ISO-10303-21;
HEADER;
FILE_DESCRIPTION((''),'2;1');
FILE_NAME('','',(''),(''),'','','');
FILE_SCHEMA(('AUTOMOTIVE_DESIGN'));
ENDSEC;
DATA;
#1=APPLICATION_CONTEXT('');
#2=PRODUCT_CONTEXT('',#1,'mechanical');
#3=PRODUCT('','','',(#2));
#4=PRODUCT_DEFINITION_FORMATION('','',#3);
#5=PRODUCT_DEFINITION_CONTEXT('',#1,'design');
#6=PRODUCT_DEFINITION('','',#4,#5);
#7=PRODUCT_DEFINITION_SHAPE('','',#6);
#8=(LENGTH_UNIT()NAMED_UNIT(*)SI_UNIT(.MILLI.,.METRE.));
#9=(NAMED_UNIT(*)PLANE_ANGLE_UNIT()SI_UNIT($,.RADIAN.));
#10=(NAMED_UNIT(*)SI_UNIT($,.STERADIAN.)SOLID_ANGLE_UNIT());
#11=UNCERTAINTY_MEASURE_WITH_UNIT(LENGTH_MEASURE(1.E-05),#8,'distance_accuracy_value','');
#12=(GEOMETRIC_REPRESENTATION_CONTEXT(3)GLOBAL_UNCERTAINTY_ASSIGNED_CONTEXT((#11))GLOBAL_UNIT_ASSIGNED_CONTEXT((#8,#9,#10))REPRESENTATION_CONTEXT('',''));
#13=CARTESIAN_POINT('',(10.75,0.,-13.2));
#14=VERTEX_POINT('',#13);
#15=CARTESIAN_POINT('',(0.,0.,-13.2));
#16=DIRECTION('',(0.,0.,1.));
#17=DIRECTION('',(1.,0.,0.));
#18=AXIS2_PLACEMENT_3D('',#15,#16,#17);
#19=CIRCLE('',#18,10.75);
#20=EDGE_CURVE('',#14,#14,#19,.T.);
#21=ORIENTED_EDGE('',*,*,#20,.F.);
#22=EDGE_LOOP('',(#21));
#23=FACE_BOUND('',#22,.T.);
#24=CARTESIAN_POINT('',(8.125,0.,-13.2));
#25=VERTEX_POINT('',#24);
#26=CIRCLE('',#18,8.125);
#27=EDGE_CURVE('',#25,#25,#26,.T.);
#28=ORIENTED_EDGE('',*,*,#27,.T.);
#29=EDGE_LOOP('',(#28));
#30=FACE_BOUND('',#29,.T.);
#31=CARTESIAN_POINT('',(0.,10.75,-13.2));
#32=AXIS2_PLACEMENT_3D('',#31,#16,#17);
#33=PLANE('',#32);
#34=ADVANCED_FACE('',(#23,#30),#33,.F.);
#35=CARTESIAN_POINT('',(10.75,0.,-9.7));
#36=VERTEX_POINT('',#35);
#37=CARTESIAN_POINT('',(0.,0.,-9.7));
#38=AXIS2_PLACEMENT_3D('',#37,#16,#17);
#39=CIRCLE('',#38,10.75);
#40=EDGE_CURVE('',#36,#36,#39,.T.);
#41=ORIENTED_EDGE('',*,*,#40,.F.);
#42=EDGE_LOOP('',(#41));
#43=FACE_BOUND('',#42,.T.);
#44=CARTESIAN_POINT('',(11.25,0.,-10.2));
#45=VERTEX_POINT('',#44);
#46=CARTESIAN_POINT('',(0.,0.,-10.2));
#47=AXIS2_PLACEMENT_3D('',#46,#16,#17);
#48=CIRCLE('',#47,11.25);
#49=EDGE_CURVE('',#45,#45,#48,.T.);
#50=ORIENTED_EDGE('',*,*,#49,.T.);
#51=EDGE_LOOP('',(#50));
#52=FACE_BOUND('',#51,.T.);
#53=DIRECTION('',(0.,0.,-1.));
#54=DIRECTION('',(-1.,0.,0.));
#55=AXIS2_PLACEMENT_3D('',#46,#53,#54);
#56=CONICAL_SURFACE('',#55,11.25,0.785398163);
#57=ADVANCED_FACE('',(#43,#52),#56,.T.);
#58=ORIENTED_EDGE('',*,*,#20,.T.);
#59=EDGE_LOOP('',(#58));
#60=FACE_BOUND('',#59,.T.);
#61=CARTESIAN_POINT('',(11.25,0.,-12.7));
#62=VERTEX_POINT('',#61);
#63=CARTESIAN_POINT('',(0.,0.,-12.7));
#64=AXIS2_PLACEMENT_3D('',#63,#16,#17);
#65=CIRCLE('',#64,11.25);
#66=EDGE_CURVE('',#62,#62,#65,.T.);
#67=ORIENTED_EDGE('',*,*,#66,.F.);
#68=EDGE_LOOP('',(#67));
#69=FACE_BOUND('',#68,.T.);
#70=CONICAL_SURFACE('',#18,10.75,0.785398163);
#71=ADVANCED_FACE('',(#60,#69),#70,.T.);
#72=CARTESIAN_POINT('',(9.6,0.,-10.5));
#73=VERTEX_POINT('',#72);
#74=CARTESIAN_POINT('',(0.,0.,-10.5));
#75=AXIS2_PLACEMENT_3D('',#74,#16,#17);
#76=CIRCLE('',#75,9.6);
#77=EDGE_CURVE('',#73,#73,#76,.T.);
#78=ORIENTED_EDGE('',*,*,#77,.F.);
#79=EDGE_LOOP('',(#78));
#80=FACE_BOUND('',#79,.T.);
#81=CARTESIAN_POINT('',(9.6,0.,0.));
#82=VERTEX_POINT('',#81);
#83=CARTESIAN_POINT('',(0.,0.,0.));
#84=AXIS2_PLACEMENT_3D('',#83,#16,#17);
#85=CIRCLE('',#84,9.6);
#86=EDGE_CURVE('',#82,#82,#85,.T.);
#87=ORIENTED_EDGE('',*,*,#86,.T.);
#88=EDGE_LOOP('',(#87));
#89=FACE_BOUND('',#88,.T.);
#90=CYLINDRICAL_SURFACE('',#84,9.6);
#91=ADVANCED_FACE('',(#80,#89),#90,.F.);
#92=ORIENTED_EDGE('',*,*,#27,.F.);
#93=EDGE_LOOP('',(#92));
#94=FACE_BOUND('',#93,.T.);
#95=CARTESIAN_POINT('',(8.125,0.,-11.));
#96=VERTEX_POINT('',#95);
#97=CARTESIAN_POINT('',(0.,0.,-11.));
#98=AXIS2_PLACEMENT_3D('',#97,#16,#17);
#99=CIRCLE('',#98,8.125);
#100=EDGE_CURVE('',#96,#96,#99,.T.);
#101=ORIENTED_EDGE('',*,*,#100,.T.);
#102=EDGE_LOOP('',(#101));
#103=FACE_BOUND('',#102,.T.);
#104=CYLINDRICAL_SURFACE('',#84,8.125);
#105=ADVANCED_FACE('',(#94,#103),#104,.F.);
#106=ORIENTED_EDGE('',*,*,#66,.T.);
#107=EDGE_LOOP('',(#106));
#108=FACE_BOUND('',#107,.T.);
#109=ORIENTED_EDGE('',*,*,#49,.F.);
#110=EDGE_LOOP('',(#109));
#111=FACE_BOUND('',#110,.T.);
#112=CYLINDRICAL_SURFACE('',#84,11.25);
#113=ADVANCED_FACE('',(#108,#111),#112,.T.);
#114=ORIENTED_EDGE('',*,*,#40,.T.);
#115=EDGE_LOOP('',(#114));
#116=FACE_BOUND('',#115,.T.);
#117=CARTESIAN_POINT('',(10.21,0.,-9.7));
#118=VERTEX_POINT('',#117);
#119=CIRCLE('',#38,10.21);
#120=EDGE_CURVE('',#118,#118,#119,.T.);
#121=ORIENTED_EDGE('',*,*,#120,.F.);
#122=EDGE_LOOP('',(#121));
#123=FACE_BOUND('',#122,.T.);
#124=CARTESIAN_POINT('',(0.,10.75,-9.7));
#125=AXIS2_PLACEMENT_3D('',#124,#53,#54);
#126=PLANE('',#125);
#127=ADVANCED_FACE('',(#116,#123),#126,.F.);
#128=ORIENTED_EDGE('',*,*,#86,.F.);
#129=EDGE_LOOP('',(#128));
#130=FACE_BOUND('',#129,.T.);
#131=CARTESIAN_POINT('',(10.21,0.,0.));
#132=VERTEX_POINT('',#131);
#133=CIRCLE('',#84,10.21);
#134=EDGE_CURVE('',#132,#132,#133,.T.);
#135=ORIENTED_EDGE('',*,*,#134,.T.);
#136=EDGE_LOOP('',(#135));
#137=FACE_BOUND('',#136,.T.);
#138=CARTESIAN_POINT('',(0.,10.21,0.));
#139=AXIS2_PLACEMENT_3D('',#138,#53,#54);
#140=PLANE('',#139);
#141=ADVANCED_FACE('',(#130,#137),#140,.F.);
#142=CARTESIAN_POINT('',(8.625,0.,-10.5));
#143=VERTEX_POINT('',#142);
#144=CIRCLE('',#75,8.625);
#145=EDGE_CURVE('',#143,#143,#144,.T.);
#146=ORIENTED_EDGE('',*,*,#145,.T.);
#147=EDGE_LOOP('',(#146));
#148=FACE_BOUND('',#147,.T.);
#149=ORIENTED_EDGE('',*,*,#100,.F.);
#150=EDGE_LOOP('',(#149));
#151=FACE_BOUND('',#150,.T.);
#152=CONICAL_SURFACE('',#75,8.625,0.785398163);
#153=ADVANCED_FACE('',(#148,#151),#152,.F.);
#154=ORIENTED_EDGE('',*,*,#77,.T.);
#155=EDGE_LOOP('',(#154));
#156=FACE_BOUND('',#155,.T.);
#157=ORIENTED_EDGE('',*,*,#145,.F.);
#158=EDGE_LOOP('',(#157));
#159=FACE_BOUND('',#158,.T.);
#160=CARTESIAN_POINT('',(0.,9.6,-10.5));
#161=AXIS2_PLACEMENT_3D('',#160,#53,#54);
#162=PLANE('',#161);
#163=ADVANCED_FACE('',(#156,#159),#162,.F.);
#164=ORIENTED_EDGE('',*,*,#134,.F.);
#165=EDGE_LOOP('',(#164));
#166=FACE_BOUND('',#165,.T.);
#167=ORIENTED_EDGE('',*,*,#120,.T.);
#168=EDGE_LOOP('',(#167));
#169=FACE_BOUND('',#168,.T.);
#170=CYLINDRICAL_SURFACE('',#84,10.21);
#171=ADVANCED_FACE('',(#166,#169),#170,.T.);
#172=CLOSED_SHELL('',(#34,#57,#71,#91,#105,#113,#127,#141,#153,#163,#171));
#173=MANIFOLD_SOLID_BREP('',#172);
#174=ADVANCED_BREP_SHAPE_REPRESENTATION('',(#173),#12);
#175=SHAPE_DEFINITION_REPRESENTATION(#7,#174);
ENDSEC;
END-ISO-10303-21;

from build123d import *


with BuildPart() as part:
    # Croquis1 → Revolución1 (revolve)
    with BuildSketch(Plane(origin=(0, 0, 0), x_dir=(0, 0, -1), z_dir=(1, 0, 0)), mode=Mode.PRIVATE) as revoluci_n1_sk:
        Polygon((0, 9.6), (10.5, 9.6), (10.5, 8.625), (11, 8.125), (13.2, 8.125), (13.2, 10.75), (12.7, 11.25), (10.2, 11.25), (9.7, 10.75), (9.7, 10.21), (0, 10.21), align=None)
    revolve(revoluci_n1_sk.sketch.rotate(Axis((0, 0, 0), (0, 0, -1)), 90), axis=Axis((0, 0, 0), (0, 0, -1)))


solid = part.part
